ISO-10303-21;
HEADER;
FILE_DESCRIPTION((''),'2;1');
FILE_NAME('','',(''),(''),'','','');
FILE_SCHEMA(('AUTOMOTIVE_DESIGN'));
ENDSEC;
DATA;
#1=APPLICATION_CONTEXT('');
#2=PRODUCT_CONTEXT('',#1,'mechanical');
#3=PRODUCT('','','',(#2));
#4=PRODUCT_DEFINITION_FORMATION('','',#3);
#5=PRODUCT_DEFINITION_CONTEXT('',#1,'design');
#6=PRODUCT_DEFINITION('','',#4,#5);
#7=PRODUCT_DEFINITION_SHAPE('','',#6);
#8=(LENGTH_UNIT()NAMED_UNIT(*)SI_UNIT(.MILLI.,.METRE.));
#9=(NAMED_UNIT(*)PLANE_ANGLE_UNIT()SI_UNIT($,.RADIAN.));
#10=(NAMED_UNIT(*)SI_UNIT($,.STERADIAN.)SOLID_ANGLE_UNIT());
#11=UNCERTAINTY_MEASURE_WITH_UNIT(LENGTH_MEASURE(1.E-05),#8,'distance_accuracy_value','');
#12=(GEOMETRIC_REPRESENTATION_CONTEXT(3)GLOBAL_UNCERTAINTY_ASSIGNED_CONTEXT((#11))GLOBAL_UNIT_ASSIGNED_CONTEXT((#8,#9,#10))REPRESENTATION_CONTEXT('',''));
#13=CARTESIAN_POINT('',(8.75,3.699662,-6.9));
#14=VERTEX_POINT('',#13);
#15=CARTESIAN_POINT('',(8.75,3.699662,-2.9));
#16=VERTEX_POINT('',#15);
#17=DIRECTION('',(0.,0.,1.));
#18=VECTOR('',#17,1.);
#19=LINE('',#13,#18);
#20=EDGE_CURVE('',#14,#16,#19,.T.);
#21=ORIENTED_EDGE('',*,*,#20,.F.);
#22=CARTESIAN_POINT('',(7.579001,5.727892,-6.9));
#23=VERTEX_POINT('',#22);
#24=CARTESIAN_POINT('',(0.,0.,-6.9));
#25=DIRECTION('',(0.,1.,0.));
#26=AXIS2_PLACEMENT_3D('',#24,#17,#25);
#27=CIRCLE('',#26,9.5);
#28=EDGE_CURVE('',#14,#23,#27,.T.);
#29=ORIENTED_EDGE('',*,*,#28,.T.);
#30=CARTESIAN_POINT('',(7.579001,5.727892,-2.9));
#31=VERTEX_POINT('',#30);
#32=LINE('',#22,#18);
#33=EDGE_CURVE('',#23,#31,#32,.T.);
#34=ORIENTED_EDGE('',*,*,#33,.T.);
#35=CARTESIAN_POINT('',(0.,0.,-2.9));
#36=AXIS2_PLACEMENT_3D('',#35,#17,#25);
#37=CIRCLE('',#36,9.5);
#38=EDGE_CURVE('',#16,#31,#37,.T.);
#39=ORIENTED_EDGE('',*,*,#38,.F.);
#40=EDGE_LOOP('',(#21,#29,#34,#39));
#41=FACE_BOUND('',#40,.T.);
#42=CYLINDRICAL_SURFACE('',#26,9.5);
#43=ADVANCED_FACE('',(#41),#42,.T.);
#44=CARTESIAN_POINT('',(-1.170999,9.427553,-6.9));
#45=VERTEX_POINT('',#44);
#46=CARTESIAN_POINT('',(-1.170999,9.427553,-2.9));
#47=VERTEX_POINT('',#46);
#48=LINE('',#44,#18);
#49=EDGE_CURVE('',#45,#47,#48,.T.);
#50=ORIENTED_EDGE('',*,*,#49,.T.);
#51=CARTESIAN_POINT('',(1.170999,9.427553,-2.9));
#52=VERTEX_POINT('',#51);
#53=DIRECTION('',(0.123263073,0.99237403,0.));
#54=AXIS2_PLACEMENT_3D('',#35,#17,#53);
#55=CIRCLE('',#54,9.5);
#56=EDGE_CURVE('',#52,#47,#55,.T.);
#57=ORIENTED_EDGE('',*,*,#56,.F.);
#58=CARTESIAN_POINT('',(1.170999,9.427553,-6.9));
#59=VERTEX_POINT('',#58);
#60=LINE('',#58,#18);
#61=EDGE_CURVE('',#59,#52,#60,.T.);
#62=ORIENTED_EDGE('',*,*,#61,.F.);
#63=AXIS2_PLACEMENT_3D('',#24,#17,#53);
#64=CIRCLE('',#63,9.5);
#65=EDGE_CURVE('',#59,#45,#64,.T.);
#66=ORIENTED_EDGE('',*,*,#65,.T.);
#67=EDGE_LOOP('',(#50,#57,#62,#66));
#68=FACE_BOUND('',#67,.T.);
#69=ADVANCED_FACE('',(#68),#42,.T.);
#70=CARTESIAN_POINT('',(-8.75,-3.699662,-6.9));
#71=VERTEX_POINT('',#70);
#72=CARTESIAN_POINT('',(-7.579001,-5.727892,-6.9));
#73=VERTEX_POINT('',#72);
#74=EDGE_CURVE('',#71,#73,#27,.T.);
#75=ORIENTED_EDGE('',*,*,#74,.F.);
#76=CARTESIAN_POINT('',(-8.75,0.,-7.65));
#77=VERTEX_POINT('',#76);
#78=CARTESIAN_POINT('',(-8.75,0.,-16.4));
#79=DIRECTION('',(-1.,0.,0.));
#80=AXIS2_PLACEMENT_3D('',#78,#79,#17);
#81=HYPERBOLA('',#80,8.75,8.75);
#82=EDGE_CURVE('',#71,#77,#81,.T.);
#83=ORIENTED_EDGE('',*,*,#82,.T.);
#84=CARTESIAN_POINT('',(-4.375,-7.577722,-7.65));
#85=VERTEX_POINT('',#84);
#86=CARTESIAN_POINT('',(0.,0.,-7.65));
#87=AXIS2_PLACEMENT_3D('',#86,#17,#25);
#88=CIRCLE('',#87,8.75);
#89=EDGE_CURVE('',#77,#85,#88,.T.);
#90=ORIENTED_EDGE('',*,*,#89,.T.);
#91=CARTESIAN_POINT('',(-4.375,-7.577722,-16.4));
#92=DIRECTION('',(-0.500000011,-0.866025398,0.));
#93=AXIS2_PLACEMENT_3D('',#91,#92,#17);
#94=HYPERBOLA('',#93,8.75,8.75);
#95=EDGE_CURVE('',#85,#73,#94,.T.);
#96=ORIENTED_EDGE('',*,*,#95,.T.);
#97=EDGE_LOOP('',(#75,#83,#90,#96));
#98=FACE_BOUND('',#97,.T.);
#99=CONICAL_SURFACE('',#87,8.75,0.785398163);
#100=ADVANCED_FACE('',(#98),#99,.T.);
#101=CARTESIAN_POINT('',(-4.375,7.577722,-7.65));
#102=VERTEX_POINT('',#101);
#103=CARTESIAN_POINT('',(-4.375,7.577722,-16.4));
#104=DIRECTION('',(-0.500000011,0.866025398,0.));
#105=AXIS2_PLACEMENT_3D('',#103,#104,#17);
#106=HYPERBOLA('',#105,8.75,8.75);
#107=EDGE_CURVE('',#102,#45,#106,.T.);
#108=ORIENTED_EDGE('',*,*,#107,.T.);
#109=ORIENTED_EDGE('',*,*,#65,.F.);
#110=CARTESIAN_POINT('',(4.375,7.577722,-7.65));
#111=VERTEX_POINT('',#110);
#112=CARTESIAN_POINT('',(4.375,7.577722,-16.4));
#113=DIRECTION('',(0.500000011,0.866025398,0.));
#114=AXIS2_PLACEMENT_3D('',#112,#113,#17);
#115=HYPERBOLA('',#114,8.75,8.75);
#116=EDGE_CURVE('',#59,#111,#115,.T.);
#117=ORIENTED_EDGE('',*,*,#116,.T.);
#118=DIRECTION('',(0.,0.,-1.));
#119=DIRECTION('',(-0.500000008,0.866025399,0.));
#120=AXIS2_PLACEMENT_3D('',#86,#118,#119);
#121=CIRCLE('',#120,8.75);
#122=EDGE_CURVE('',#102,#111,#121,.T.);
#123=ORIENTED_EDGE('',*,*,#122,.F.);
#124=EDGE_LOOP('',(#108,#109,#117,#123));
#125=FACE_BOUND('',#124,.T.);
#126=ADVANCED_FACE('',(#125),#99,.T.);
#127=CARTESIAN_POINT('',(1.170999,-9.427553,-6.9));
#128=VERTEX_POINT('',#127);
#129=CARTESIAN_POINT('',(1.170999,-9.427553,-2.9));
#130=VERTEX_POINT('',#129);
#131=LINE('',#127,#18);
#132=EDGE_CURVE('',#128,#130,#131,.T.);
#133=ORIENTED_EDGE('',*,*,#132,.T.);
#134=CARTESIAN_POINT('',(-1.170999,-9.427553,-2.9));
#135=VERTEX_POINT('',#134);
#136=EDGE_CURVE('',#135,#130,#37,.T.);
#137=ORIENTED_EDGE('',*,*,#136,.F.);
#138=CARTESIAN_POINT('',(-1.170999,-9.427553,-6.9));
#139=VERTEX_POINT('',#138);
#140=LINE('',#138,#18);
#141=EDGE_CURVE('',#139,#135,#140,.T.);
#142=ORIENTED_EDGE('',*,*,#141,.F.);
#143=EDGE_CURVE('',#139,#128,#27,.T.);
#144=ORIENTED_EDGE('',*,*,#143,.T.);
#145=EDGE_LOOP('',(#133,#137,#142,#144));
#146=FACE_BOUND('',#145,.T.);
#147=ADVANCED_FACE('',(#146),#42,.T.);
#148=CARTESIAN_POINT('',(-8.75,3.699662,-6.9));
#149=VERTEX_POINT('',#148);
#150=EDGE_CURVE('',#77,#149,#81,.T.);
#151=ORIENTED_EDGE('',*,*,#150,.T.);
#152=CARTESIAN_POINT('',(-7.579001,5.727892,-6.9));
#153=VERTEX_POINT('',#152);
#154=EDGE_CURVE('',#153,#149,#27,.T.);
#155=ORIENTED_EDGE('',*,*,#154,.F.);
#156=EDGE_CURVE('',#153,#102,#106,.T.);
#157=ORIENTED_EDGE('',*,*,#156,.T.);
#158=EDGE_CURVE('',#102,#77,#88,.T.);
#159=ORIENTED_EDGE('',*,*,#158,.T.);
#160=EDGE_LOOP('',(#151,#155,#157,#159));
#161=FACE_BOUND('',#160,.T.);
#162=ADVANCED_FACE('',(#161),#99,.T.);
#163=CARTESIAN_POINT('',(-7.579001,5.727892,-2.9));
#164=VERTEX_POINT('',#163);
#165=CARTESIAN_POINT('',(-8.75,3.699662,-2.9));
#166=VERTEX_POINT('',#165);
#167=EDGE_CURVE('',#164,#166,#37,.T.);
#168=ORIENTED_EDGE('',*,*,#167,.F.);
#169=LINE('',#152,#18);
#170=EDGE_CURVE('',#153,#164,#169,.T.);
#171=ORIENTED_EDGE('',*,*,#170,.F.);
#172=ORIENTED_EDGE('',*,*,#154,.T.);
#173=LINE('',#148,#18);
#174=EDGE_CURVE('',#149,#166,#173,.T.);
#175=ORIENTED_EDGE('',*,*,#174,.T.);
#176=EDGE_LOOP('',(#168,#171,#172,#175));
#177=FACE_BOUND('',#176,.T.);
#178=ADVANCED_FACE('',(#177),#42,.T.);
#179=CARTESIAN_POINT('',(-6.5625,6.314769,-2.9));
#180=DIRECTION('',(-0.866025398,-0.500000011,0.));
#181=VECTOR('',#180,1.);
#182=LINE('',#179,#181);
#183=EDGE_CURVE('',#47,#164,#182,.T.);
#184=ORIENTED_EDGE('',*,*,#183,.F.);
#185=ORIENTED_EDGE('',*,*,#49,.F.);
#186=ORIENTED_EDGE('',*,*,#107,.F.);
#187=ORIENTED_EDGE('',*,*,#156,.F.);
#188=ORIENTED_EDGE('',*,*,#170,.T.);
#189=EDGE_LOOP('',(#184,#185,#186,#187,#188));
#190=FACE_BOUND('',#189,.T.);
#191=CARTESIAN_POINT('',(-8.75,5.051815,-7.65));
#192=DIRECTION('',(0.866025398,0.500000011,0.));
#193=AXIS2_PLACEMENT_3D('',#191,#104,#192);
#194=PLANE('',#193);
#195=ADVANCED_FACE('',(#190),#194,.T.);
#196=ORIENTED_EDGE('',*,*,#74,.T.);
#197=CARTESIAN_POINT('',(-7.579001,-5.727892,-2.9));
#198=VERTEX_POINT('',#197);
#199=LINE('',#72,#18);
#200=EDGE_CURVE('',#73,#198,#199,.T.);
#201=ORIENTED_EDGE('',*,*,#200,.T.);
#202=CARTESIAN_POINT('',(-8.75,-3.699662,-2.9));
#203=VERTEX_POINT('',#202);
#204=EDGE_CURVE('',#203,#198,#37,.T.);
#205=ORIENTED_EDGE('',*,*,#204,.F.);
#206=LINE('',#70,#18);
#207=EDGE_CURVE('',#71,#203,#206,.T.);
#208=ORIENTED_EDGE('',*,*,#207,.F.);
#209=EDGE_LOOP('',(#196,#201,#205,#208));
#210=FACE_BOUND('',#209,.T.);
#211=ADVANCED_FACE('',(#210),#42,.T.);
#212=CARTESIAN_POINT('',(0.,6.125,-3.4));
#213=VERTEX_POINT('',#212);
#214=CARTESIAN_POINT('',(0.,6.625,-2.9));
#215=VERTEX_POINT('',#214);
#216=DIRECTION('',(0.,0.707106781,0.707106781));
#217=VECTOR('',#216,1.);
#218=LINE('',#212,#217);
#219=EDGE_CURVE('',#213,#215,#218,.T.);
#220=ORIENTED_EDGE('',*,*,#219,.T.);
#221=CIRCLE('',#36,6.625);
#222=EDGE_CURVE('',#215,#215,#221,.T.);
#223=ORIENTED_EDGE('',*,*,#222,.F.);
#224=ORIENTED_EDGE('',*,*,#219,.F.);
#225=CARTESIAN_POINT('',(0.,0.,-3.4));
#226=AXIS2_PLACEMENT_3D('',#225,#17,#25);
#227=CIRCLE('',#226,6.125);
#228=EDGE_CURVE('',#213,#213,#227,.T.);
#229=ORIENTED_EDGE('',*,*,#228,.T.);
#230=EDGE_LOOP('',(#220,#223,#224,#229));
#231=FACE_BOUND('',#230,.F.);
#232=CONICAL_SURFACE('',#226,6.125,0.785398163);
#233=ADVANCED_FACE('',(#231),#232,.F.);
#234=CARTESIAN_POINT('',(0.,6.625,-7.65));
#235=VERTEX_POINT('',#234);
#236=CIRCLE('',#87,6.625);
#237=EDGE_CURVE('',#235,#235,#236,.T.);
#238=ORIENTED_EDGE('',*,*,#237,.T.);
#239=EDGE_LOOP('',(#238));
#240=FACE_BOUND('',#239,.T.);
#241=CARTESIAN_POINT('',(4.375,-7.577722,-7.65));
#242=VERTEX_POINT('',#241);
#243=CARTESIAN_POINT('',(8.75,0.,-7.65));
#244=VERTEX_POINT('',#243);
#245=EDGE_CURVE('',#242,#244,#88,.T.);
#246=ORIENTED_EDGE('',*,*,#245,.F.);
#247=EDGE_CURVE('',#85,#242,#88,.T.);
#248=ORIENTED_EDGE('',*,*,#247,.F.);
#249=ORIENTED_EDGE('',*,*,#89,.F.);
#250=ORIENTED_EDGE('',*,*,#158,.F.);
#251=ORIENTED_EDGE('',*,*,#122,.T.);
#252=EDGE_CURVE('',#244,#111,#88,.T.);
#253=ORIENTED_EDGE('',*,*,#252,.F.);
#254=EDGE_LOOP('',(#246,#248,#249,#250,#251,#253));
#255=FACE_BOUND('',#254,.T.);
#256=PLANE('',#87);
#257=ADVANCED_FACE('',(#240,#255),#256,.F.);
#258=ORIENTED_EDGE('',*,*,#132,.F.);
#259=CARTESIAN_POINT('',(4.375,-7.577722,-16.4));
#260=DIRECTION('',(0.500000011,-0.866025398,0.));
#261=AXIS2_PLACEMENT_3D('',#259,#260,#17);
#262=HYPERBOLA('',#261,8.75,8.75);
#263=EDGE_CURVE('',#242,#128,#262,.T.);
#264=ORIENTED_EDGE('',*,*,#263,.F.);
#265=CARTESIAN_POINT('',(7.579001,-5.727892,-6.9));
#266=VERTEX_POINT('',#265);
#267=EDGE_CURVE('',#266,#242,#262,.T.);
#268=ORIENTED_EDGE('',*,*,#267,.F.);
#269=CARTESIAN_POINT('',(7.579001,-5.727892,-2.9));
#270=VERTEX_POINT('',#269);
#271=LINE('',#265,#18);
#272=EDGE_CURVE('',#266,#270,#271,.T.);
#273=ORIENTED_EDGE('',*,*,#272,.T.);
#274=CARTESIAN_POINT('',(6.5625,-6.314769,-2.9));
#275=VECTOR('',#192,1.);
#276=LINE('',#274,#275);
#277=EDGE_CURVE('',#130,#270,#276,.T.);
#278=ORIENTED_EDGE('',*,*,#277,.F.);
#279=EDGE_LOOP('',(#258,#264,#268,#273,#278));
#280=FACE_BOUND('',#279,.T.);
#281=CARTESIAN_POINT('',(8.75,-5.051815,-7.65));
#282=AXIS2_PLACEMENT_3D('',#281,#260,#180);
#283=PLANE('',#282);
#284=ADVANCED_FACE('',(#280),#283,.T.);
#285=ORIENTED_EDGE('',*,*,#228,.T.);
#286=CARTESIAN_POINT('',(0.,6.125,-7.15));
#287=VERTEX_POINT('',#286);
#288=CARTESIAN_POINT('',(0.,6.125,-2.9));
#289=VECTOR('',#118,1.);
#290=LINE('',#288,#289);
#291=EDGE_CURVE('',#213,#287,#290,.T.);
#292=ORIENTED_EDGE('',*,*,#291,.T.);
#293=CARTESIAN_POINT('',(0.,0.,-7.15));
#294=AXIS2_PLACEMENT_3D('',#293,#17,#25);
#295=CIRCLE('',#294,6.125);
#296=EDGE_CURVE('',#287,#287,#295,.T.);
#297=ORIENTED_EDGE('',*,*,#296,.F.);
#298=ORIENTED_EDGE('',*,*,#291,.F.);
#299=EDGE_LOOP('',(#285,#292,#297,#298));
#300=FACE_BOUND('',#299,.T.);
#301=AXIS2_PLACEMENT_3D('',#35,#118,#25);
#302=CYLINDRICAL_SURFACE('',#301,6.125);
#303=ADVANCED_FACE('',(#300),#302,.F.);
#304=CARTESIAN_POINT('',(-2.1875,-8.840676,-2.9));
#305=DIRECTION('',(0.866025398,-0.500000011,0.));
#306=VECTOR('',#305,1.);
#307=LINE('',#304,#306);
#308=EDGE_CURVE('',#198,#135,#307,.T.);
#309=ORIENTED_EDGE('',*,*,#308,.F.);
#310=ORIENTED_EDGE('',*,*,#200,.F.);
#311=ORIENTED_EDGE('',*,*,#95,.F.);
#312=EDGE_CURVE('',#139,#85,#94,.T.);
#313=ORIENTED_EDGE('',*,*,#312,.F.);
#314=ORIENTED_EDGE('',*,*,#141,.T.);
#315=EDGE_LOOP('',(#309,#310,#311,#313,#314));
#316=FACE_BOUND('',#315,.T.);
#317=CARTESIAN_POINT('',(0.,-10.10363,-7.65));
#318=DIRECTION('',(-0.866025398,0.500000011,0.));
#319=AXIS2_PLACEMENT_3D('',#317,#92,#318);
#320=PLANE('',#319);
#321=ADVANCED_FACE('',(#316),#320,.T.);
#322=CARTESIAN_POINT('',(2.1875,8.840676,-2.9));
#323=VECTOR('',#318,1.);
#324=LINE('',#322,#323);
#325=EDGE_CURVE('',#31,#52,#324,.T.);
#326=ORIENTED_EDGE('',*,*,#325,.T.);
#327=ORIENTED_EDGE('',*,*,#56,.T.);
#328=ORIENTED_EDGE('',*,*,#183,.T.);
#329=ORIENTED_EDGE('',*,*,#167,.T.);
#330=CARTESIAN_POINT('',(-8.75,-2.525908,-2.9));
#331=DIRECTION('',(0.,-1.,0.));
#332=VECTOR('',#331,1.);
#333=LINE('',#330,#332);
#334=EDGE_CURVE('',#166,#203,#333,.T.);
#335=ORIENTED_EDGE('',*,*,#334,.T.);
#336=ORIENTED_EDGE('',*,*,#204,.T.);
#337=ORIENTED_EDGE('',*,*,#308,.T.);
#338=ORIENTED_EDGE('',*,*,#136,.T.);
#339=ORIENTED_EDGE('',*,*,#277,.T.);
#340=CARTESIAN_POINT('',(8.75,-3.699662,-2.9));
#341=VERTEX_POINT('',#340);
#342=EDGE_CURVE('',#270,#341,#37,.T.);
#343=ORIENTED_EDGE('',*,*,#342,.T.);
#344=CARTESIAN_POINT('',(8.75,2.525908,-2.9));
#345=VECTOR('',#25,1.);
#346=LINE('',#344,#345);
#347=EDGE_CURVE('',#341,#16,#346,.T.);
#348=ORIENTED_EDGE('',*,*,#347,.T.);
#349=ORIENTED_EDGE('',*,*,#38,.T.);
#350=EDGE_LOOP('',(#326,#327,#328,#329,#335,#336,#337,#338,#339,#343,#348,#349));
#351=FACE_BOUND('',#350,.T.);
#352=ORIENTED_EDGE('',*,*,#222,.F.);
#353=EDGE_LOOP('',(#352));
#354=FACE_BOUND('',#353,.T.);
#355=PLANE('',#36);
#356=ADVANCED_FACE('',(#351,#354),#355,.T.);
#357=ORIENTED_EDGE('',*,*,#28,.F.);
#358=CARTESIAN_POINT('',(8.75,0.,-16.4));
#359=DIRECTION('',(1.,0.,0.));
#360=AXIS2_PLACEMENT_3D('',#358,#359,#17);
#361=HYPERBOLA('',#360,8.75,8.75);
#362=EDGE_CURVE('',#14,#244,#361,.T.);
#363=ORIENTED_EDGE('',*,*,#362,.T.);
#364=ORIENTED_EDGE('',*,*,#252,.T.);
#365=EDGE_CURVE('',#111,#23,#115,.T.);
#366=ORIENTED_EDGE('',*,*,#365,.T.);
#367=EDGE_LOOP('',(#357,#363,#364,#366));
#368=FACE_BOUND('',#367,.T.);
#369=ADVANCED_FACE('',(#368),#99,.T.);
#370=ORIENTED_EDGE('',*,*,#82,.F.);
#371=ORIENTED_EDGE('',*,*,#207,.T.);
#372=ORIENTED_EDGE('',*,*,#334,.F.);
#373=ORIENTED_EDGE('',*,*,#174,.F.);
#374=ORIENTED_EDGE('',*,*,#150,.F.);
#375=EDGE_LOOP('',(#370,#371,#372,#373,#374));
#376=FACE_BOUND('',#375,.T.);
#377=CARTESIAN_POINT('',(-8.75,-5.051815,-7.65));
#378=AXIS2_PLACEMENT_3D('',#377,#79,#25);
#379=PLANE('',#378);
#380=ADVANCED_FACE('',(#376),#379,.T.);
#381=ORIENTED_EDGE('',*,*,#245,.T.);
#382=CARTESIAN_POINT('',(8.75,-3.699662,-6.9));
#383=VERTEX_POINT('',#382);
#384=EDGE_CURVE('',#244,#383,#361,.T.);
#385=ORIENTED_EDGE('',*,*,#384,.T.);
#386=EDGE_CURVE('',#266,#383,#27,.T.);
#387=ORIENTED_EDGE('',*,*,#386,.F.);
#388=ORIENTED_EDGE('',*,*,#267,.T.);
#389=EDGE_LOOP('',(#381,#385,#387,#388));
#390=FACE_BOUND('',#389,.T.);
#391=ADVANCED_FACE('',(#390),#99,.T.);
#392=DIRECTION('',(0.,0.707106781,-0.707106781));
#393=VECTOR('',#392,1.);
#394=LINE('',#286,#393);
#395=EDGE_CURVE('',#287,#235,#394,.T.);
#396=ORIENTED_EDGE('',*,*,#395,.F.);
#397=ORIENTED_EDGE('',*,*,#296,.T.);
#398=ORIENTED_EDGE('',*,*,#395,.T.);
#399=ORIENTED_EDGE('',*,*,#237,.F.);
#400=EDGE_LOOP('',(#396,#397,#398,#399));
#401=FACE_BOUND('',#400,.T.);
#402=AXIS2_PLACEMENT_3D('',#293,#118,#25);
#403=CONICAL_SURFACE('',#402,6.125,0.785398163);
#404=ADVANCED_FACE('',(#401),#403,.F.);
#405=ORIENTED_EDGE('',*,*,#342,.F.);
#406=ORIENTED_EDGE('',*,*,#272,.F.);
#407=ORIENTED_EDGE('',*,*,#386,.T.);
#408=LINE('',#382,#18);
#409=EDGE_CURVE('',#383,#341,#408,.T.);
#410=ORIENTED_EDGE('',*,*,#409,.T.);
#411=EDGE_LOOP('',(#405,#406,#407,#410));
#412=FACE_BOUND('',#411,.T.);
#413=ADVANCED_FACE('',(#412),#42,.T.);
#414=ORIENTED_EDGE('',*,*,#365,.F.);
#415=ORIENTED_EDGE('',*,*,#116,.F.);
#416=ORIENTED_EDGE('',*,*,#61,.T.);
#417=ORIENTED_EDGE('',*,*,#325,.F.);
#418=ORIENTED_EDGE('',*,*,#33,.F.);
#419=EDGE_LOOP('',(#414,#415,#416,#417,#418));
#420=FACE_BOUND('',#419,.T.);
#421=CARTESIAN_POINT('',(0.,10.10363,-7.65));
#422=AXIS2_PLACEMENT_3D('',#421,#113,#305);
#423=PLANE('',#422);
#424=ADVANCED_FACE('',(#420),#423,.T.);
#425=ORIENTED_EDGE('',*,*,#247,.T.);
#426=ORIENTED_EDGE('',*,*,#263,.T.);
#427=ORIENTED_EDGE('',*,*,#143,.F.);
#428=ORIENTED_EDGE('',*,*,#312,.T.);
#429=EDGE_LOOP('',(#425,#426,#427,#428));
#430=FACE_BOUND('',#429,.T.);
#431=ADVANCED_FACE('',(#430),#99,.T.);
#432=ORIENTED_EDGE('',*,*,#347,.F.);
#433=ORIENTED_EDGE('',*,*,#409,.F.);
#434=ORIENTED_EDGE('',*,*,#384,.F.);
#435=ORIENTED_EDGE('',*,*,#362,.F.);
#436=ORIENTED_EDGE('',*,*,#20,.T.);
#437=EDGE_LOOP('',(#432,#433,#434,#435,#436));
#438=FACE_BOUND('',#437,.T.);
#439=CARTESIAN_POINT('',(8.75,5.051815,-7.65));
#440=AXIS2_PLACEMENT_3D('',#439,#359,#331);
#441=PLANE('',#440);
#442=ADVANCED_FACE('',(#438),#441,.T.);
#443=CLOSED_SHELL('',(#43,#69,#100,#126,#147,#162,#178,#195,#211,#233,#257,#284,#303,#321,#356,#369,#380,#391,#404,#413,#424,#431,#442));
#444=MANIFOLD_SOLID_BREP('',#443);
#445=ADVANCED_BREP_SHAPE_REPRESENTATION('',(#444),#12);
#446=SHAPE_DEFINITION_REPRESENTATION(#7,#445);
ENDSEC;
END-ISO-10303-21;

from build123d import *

# Parameters (mm, degrees)
SKETCH005_R     = 15.040905
POCKET002_DEPTH = 4.751
CHAMFER_SIZE    = 0.5


with BuildPart() as part:
    # Sketch004 → Revolution002 (revolve)
    with BuildSketch(Plane.YZ):
        Polygon((6.125, 0), (6.125, -4.75), (8.75, -4.75), (9.5, -4), (9.5, 0), align=None)
    revolve(axis=Axis((0, 0, 0), (0, 0, 1)))

    # Sketch005 (on Face2 of Revolution002) → Pocket002 (cut, through all)
    with BuildSketch(Plane.YX.offset(4.75)):
        Circle(SKETCH005_R)
        Polygon((10.10363, 0), (5.051815, 8.75), (-5.051815, 8.75), (-10.10363, 0), (-5.051815, -8.75), (5.051815, -8.75), align=None, mode=Mode.SUBTRACT)
    extrude(amount=-POCKET002_DEPTH, mode=Mode.SUBTRACT)

    # Chamfer
    chamfer_edges = [part.edges().sort_by_distance(p)[0] for p in [
        (0, -6.125, -4.75),
        (0, -6.125, 0),
    ]]
    chamfer(chamfer_edges, length=CHAMFER_SIZE)


with BuildPart() as part_1:
    # Body002 placement: moved
    add(part.part.moved(Location((0, 0, -2.9))))


solid = part_1.part
